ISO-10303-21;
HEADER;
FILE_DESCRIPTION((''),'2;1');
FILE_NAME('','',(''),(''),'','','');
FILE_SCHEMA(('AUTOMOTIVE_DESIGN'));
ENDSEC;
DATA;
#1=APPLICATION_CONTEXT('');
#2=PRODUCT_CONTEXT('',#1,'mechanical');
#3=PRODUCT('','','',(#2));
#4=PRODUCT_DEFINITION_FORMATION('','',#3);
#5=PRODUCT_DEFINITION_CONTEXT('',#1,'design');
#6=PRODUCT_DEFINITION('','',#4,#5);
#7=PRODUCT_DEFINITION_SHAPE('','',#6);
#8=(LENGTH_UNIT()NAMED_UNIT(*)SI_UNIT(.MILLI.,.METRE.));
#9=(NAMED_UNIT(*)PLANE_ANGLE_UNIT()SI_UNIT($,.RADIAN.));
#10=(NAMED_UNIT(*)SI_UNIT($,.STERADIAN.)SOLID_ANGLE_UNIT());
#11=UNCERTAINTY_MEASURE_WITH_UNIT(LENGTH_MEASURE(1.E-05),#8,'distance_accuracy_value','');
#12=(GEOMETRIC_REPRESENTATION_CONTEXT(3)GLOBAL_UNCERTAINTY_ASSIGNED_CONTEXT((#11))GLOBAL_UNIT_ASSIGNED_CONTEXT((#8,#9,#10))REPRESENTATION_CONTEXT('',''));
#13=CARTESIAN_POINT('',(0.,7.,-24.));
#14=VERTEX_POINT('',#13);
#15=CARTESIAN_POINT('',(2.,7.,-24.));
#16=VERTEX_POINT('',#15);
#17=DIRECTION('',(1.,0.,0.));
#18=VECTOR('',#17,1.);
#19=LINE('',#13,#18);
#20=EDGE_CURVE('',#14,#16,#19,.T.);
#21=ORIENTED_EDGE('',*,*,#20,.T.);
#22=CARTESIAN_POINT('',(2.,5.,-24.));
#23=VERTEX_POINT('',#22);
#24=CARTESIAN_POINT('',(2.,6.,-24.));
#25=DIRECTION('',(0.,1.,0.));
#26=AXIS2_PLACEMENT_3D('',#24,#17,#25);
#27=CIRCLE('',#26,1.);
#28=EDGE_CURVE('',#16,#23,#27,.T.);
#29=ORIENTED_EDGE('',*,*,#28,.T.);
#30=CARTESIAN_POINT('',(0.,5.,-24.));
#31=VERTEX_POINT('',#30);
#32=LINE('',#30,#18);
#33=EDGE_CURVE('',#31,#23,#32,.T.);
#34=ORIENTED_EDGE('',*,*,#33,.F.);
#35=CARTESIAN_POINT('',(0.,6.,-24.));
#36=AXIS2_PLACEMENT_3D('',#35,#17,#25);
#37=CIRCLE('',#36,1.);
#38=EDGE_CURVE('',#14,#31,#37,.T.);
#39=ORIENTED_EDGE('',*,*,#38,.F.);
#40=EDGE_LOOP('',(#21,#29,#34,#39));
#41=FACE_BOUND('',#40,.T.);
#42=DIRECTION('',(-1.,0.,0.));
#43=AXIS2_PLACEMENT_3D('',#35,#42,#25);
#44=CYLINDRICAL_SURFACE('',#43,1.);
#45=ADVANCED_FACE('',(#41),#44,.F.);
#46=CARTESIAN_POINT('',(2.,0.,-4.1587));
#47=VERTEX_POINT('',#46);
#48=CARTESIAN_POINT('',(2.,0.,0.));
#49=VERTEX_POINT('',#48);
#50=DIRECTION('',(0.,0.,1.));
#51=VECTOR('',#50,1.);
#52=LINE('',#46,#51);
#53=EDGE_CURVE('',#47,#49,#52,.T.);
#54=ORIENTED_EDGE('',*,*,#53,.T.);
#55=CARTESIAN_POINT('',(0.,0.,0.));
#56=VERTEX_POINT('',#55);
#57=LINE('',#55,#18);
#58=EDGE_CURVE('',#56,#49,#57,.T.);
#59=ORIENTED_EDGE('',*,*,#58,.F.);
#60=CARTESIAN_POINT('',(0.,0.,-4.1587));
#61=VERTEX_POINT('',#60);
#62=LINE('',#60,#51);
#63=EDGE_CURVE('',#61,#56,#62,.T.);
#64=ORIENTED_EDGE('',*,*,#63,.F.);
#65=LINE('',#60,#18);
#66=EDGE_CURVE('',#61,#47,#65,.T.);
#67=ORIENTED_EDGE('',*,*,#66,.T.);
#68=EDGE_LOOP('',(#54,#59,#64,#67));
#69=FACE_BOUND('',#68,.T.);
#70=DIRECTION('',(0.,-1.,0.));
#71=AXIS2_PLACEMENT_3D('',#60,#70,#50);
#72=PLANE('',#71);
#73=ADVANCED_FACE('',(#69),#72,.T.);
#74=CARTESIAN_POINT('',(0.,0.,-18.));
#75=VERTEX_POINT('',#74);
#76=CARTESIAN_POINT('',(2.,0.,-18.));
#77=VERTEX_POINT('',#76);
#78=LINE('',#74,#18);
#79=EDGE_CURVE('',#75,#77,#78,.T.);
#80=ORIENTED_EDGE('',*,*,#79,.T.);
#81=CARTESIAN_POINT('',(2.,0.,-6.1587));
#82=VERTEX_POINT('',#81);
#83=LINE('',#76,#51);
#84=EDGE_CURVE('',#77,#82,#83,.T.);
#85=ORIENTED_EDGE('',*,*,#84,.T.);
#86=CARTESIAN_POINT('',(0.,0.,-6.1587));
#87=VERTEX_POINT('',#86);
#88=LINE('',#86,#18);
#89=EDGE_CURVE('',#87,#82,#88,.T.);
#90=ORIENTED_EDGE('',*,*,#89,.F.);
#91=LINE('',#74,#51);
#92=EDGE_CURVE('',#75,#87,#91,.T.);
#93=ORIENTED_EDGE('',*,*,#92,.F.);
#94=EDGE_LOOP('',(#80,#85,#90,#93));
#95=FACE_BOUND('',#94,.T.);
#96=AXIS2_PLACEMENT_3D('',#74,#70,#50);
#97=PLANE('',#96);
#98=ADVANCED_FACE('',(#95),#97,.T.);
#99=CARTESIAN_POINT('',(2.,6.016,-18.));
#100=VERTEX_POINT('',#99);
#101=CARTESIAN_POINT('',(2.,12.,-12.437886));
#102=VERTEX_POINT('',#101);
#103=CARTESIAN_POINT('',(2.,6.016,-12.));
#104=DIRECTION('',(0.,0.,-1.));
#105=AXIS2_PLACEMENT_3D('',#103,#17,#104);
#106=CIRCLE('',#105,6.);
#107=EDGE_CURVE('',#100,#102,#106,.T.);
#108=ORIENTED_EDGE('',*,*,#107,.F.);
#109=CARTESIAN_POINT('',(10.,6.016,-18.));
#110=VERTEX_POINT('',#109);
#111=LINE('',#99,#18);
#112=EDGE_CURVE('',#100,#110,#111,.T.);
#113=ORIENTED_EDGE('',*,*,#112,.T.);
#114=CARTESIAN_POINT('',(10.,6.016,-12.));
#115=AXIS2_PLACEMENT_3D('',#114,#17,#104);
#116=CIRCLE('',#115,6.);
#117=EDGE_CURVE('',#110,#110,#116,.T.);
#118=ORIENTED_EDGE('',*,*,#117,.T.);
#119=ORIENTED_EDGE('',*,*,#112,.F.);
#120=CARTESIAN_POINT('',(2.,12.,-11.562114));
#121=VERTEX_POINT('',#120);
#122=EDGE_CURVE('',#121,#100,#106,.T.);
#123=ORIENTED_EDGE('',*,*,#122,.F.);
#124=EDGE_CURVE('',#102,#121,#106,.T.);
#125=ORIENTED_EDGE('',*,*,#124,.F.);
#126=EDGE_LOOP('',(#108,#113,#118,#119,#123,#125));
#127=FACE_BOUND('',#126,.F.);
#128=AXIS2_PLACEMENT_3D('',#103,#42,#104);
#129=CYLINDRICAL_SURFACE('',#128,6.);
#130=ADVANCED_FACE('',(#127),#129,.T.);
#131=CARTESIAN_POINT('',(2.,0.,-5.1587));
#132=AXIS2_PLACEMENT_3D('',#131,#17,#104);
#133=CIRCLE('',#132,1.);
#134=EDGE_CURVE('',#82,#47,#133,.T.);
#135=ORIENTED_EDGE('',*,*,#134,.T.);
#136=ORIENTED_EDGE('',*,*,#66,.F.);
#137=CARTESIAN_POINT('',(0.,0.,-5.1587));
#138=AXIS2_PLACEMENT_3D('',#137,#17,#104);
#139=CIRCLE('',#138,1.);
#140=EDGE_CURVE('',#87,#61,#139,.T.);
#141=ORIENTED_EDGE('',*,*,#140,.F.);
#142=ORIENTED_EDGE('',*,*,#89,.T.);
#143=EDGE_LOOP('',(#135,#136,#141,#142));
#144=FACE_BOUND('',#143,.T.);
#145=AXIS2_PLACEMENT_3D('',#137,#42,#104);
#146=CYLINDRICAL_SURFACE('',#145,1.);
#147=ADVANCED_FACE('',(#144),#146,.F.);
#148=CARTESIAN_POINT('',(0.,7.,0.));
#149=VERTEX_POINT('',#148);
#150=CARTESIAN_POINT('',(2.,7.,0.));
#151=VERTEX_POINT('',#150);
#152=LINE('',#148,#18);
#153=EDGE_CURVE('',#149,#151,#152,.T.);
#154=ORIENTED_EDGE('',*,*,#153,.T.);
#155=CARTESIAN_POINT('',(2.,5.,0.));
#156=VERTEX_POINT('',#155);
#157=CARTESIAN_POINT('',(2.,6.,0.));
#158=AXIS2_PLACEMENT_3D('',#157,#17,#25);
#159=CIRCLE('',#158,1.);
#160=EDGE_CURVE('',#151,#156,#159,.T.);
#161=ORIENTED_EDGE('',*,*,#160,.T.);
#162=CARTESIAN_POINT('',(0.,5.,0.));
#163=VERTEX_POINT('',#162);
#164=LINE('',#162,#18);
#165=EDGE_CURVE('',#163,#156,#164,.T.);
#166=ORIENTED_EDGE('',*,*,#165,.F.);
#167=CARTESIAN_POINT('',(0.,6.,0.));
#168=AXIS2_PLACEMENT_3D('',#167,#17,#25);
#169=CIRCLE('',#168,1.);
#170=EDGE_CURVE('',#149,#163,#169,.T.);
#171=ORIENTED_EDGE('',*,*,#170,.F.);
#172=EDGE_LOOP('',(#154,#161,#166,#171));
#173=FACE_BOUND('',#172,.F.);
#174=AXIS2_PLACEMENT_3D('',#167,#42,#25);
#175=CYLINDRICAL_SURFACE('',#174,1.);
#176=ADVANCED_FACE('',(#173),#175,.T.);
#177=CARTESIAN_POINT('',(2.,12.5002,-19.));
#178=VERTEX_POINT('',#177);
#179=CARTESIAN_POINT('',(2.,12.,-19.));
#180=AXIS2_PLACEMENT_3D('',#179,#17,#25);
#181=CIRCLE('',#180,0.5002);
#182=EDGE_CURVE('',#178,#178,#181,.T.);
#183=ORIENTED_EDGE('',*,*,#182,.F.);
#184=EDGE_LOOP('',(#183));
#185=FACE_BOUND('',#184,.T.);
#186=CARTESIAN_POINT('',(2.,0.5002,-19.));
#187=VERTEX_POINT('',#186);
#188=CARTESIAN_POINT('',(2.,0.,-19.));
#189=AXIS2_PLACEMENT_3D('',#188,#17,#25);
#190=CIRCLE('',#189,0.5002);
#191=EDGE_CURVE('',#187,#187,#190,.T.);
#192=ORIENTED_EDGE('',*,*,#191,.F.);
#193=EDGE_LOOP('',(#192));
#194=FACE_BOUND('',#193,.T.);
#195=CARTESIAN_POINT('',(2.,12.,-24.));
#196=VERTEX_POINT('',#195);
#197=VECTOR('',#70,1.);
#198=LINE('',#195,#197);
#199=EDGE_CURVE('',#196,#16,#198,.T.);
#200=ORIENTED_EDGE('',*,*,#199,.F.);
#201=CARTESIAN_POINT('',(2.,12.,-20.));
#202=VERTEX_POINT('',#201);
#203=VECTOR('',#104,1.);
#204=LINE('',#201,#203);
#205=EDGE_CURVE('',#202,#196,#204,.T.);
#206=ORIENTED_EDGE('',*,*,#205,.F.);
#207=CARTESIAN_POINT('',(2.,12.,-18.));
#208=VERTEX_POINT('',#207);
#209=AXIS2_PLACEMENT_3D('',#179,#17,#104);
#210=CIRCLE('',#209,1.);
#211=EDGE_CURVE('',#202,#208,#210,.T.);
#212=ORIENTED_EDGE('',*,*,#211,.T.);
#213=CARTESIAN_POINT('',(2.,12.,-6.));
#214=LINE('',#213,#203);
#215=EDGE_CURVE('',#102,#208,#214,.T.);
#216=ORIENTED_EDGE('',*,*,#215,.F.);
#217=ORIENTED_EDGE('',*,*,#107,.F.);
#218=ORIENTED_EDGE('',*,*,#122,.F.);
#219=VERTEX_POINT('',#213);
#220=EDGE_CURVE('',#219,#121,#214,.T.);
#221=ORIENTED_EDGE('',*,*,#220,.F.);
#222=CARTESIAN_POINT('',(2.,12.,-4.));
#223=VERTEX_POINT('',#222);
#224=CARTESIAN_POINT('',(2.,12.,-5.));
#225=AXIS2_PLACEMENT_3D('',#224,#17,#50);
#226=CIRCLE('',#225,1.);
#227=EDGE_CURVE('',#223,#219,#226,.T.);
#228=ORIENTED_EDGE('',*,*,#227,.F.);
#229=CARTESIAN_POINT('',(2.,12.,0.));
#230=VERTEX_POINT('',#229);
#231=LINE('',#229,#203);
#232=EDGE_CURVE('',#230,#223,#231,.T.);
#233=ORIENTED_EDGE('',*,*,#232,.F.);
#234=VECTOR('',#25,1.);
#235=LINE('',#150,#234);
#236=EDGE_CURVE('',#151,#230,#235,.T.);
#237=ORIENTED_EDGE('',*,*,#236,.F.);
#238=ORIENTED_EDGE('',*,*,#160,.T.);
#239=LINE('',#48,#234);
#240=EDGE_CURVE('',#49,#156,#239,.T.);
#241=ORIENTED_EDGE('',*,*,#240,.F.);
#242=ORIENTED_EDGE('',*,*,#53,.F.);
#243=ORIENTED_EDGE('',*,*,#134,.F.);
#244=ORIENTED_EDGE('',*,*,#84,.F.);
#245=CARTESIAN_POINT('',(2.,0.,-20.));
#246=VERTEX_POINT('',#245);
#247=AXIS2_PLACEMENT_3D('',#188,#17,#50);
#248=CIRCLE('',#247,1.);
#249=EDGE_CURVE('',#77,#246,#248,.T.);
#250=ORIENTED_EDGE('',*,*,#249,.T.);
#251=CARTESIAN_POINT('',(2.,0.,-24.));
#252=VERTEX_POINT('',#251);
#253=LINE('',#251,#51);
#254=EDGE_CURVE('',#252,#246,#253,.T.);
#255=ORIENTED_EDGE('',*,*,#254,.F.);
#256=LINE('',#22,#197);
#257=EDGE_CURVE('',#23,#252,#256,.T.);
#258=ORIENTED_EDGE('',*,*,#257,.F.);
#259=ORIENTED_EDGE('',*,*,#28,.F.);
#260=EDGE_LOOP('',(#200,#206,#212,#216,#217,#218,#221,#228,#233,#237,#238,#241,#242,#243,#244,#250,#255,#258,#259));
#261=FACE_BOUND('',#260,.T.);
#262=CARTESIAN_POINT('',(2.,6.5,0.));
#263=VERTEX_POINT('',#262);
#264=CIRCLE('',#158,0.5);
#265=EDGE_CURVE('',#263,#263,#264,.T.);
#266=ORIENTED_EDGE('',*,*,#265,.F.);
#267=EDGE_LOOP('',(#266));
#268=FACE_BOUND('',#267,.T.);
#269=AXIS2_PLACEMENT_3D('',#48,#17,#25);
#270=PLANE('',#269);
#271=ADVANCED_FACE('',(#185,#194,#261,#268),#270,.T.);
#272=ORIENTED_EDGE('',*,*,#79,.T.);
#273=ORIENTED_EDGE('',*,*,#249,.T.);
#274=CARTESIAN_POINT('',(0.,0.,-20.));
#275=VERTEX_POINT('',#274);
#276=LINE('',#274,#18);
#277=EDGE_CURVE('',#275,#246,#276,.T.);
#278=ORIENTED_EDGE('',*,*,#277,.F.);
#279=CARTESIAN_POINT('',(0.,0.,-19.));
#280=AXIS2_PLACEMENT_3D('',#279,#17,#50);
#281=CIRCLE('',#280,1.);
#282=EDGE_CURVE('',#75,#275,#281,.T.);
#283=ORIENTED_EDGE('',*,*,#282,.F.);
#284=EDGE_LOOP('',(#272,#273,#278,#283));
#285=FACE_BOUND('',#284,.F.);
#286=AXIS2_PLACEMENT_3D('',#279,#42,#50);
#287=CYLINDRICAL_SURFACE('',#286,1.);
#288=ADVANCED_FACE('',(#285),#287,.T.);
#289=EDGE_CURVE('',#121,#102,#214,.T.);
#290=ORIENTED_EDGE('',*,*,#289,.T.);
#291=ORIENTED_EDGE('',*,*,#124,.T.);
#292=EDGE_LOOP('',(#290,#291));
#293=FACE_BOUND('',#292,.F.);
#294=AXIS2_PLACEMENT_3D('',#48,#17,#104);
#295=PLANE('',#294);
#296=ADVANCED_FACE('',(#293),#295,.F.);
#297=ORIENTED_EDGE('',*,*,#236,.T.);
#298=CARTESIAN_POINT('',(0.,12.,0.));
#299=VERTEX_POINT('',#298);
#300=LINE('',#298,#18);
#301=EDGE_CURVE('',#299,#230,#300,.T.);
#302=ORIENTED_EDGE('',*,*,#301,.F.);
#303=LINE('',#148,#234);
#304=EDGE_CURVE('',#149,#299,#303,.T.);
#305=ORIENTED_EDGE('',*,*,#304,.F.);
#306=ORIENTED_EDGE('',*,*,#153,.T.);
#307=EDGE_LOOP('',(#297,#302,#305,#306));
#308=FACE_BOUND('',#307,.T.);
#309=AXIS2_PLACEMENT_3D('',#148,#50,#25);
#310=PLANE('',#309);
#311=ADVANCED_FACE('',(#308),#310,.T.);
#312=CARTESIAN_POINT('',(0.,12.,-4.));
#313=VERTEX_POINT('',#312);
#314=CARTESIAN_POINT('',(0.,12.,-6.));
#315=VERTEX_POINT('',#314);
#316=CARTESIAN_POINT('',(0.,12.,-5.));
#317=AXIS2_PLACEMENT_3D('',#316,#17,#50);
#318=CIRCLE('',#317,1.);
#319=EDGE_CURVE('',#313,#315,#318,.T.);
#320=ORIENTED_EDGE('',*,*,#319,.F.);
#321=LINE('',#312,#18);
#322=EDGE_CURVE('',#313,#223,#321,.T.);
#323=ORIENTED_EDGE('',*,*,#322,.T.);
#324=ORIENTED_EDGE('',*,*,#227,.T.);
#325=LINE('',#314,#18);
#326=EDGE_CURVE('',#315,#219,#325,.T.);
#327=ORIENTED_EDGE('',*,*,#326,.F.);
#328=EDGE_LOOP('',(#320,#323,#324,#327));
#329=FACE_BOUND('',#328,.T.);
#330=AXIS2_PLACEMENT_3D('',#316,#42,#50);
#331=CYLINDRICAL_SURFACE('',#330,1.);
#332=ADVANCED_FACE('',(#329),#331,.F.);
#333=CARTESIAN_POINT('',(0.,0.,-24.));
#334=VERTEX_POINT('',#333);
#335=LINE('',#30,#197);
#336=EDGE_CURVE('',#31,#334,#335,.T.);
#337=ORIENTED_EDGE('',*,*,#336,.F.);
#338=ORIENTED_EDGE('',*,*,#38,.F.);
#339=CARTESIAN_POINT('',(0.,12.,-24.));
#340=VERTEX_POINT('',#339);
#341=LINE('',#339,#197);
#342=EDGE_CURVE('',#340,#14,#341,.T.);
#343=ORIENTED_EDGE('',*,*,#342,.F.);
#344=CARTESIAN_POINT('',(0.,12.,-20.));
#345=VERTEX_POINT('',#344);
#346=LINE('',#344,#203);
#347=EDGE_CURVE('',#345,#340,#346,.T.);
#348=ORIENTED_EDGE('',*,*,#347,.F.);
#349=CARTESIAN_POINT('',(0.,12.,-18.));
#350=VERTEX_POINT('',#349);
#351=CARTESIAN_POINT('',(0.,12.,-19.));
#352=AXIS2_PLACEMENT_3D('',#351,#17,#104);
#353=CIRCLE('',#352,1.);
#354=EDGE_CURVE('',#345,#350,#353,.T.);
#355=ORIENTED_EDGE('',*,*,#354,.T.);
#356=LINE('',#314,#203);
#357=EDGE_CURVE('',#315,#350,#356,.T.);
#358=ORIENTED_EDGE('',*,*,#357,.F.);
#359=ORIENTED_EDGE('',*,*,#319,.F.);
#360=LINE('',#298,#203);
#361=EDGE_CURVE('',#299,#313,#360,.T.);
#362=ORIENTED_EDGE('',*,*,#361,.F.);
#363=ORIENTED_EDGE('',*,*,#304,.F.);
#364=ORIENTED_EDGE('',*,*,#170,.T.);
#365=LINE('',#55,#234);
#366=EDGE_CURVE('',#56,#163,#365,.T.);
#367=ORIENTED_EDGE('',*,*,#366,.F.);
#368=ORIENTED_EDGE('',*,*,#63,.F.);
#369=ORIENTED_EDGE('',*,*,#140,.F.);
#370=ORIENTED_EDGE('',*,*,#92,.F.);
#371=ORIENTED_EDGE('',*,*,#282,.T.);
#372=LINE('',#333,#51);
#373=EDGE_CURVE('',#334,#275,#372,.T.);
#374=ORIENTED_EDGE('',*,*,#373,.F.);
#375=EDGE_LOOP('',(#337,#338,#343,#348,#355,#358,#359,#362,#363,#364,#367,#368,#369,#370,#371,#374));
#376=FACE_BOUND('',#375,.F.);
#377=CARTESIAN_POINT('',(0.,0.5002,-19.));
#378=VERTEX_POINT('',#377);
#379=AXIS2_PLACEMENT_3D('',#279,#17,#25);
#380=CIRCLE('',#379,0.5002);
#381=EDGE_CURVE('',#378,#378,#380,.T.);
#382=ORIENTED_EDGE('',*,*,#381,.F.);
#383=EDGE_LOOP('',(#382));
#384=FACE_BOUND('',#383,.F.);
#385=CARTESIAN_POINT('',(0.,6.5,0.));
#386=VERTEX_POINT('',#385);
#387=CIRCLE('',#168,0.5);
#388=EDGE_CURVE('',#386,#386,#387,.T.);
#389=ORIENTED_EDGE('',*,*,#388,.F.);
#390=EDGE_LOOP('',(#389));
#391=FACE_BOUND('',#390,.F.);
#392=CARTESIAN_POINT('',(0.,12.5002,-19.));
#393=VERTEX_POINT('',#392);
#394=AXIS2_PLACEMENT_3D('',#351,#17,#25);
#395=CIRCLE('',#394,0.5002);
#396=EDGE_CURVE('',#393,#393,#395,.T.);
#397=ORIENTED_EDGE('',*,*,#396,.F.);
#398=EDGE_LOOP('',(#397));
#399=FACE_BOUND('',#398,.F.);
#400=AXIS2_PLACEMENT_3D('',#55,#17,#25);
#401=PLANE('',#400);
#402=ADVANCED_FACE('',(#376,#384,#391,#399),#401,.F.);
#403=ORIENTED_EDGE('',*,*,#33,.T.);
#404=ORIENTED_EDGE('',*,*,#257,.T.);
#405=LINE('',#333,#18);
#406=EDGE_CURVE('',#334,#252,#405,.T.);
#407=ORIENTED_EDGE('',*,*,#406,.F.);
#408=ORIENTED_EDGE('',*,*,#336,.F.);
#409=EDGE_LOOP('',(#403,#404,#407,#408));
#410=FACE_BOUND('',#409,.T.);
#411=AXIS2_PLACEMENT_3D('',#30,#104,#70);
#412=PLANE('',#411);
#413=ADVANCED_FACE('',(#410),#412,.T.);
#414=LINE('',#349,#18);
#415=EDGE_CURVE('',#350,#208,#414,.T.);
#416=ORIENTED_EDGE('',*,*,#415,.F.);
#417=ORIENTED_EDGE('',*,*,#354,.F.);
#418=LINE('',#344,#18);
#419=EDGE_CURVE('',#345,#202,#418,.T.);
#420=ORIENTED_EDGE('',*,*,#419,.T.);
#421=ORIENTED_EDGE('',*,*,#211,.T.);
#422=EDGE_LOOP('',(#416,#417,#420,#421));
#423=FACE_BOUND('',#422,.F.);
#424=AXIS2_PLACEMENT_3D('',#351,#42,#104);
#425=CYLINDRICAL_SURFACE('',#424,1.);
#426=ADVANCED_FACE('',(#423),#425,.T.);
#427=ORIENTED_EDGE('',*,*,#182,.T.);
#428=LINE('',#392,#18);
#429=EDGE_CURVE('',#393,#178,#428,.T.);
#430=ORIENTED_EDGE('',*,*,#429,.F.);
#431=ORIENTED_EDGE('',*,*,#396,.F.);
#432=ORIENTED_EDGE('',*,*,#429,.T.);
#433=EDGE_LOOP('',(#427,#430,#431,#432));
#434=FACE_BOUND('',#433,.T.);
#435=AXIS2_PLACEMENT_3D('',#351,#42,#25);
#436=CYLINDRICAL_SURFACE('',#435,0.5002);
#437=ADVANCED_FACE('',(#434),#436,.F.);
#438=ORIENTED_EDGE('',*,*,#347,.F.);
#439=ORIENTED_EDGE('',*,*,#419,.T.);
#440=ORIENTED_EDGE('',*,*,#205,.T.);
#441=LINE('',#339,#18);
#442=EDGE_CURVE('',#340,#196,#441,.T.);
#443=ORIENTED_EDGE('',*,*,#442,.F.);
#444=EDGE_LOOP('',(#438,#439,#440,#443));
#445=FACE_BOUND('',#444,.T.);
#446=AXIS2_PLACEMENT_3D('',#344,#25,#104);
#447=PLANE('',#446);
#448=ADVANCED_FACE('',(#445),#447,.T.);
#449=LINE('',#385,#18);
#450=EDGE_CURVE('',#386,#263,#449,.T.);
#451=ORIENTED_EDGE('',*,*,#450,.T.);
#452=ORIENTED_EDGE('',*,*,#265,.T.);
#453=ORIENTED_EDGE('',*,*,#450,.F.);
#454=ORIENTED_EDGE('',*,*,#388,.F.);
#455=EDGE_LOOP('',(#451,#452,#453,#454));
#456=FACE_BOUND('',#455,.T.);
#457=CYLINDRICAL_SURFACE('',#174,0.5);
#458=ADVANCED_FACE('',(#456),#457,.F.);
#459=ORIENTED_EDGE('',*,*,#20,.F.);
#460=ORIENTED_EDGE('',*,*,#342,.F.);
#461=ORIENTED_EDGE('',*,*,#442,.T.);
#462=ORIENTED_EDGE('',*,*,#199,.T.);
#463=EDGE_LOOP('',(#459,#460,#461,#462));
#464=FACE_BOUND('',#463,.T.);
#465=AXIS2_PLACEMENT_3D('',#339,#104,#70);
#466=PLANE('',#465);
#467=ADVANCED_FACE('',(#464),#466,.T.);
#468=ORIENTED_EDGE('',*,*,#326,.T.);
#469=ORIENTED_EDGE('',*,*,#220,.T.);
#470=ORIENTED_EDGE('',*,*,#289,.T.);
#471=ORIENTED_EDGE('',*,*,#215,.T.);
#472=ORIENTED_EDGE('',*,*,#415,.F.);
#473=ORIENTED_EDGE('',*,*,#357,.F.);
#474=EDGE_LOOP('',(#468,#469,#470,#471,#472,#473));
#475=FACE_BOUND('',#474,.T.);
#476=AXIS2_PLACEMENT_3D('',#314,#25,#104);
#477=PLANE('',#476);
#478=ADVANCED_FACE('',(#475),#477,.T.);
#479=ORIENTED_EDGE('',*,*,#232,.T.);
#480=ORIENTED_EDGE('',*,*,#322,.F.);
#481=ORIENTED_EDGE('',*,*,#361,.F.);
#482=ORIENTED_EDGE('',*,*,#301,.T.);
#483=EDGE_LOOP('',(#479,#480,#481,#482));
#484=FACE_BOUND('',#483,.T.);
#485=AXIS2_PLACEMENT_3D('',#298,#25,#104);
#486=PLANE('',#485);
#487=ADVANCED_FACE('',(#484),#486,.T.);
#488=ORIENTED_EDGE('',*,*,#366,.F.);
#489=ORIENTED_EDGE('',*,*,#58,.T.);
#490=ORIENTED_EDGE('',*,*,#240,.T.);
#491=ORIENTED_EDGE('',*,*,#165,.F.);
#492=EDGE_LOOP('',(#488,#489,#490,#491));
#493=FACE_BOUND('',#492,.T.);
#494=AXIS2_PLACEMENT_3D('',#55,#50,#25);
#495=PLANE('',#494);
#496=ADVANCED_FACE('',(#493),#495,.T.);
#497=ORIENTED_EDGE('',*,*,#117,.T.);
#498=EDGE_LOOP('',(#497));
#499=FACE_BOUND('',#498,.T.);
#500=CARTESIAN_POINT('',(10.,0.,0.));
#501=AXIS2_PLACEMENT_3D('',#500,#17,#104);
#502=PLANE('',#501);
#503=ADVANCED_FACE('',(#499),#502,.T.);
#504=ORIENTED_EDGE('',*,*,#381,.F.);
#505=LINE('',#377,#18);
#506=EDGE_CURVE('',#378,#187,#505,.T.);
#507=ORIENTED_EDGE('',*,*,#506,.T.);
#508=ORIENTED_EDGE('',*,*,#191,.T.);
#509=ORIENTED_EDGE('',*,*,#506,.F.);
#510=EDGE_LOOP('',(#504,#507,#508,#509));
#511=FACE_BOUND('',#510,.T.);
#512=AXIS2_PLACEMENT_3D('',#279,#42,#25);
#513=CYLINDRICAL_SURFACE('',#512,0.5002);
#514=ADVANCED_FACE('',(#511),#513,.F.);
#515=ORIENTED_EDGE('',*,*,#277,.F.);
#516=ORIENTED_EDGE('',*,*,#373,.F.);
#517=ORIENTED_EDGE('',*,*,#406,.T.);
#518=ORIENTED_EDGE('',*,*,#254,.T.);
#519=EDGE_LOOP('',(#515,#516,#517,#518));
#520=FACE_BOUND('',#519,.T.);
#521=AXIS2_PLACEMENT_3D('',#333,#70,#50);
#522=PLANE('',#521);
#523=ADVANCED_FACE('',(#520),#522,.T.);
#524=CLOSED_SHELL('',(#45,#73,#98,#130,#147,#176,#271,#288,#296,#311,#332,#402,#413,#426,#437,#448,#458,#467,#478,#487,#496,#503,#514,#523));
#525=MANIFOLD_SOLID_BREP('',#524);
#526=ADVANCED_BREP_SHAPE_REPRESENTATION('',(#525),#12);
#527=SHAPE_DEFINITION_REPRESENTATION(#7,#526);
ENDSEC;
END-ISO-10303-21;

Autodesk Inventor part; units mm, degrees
ref_plane "YZ Plane" through (0, 0, 0) normal (1, 0, 0) x (0, 1, 0)
ref_plane "XZ Plane" through (0, 0, 0) normal (0, 1, 0) x (-1, 0, 0)
ref_plane "XY Plane" through (0, 0, 0) normal (0, 0, 1) x (1, 0, 0)
sketch "Náčrt1" plane through (0, 0, 0) normal (1, 0, 0) x (0, 1, 0)
  arc A0 (12, -4) -> (12, -6) centre (12, -5) ccw
  arc A1 (0, -6.1587) -> (0, -4.1587) centre (0, -5.1587) ccw
  arc A2 (12, -20) -> (12, -18) centre (12, -19) ccw
  arc A3 (0, -18) -> (0, -20) centre (0, -19) ccw
  line L0 (0, -4.1587) -> (0, 0)
  line L1 (12, 0) -> (12, -4)
  line L2 (12, -6) -> (12, -18)
  line L3 (12, -20) -> (12, -24)
  line L4 (0, -24) -> (0, -20)
  line L5 (0, -18) -> (0, -6.1587)
  circle A4 centre (12, -19) radius 0.5002
  circle A5 centre (0, -19) radius 0.5002
  arc A6 (7, 0) -> (5, 0) centre (6, 0) ccw
  line L6 (0, 0) -> (5, 0)
  line L7 (7, 0) -> (12, 0)
  circle A7 centre (6, 0) radius 0.5
  arc A8 (7, -24) -> (5, -24) centre (6, -24) ccw
  line L8 (12, -24) -> (7, -24)
  line L9 (5, -24) -> (0, -24)
  dimension "d0" = 12
  dimension "d1" = 24
  dimension "d2" = 2
  dimension "d3" = 2
  dimension "d4" = 5
  dimension "d5" = 5
  dimension "d6" = 5
  dimension "d7" = 2
  dimension "d8" = 1
extrude "Vysunutí1" add sketch "Náčrt1" along normal blind 2
sketch "Náčrt2" plane through (2, 0, 0) normal (1, 0, 0) x (0, 0, -1)
  circle A0 centre (12, 6.016) radius 6
  arc A1 (24, 7) -> (24, 5) centre (24, 6) ccw projected
  point P0 (0, 0)
  dimension "d11" = 12
  dimension "d12" = 12
extrude "Vysunutí2" add sketch "Náčrt2" along normal blind 8
equation "\"d6\" = d5"
properties part number "Grove - Oxygen Sensor"
